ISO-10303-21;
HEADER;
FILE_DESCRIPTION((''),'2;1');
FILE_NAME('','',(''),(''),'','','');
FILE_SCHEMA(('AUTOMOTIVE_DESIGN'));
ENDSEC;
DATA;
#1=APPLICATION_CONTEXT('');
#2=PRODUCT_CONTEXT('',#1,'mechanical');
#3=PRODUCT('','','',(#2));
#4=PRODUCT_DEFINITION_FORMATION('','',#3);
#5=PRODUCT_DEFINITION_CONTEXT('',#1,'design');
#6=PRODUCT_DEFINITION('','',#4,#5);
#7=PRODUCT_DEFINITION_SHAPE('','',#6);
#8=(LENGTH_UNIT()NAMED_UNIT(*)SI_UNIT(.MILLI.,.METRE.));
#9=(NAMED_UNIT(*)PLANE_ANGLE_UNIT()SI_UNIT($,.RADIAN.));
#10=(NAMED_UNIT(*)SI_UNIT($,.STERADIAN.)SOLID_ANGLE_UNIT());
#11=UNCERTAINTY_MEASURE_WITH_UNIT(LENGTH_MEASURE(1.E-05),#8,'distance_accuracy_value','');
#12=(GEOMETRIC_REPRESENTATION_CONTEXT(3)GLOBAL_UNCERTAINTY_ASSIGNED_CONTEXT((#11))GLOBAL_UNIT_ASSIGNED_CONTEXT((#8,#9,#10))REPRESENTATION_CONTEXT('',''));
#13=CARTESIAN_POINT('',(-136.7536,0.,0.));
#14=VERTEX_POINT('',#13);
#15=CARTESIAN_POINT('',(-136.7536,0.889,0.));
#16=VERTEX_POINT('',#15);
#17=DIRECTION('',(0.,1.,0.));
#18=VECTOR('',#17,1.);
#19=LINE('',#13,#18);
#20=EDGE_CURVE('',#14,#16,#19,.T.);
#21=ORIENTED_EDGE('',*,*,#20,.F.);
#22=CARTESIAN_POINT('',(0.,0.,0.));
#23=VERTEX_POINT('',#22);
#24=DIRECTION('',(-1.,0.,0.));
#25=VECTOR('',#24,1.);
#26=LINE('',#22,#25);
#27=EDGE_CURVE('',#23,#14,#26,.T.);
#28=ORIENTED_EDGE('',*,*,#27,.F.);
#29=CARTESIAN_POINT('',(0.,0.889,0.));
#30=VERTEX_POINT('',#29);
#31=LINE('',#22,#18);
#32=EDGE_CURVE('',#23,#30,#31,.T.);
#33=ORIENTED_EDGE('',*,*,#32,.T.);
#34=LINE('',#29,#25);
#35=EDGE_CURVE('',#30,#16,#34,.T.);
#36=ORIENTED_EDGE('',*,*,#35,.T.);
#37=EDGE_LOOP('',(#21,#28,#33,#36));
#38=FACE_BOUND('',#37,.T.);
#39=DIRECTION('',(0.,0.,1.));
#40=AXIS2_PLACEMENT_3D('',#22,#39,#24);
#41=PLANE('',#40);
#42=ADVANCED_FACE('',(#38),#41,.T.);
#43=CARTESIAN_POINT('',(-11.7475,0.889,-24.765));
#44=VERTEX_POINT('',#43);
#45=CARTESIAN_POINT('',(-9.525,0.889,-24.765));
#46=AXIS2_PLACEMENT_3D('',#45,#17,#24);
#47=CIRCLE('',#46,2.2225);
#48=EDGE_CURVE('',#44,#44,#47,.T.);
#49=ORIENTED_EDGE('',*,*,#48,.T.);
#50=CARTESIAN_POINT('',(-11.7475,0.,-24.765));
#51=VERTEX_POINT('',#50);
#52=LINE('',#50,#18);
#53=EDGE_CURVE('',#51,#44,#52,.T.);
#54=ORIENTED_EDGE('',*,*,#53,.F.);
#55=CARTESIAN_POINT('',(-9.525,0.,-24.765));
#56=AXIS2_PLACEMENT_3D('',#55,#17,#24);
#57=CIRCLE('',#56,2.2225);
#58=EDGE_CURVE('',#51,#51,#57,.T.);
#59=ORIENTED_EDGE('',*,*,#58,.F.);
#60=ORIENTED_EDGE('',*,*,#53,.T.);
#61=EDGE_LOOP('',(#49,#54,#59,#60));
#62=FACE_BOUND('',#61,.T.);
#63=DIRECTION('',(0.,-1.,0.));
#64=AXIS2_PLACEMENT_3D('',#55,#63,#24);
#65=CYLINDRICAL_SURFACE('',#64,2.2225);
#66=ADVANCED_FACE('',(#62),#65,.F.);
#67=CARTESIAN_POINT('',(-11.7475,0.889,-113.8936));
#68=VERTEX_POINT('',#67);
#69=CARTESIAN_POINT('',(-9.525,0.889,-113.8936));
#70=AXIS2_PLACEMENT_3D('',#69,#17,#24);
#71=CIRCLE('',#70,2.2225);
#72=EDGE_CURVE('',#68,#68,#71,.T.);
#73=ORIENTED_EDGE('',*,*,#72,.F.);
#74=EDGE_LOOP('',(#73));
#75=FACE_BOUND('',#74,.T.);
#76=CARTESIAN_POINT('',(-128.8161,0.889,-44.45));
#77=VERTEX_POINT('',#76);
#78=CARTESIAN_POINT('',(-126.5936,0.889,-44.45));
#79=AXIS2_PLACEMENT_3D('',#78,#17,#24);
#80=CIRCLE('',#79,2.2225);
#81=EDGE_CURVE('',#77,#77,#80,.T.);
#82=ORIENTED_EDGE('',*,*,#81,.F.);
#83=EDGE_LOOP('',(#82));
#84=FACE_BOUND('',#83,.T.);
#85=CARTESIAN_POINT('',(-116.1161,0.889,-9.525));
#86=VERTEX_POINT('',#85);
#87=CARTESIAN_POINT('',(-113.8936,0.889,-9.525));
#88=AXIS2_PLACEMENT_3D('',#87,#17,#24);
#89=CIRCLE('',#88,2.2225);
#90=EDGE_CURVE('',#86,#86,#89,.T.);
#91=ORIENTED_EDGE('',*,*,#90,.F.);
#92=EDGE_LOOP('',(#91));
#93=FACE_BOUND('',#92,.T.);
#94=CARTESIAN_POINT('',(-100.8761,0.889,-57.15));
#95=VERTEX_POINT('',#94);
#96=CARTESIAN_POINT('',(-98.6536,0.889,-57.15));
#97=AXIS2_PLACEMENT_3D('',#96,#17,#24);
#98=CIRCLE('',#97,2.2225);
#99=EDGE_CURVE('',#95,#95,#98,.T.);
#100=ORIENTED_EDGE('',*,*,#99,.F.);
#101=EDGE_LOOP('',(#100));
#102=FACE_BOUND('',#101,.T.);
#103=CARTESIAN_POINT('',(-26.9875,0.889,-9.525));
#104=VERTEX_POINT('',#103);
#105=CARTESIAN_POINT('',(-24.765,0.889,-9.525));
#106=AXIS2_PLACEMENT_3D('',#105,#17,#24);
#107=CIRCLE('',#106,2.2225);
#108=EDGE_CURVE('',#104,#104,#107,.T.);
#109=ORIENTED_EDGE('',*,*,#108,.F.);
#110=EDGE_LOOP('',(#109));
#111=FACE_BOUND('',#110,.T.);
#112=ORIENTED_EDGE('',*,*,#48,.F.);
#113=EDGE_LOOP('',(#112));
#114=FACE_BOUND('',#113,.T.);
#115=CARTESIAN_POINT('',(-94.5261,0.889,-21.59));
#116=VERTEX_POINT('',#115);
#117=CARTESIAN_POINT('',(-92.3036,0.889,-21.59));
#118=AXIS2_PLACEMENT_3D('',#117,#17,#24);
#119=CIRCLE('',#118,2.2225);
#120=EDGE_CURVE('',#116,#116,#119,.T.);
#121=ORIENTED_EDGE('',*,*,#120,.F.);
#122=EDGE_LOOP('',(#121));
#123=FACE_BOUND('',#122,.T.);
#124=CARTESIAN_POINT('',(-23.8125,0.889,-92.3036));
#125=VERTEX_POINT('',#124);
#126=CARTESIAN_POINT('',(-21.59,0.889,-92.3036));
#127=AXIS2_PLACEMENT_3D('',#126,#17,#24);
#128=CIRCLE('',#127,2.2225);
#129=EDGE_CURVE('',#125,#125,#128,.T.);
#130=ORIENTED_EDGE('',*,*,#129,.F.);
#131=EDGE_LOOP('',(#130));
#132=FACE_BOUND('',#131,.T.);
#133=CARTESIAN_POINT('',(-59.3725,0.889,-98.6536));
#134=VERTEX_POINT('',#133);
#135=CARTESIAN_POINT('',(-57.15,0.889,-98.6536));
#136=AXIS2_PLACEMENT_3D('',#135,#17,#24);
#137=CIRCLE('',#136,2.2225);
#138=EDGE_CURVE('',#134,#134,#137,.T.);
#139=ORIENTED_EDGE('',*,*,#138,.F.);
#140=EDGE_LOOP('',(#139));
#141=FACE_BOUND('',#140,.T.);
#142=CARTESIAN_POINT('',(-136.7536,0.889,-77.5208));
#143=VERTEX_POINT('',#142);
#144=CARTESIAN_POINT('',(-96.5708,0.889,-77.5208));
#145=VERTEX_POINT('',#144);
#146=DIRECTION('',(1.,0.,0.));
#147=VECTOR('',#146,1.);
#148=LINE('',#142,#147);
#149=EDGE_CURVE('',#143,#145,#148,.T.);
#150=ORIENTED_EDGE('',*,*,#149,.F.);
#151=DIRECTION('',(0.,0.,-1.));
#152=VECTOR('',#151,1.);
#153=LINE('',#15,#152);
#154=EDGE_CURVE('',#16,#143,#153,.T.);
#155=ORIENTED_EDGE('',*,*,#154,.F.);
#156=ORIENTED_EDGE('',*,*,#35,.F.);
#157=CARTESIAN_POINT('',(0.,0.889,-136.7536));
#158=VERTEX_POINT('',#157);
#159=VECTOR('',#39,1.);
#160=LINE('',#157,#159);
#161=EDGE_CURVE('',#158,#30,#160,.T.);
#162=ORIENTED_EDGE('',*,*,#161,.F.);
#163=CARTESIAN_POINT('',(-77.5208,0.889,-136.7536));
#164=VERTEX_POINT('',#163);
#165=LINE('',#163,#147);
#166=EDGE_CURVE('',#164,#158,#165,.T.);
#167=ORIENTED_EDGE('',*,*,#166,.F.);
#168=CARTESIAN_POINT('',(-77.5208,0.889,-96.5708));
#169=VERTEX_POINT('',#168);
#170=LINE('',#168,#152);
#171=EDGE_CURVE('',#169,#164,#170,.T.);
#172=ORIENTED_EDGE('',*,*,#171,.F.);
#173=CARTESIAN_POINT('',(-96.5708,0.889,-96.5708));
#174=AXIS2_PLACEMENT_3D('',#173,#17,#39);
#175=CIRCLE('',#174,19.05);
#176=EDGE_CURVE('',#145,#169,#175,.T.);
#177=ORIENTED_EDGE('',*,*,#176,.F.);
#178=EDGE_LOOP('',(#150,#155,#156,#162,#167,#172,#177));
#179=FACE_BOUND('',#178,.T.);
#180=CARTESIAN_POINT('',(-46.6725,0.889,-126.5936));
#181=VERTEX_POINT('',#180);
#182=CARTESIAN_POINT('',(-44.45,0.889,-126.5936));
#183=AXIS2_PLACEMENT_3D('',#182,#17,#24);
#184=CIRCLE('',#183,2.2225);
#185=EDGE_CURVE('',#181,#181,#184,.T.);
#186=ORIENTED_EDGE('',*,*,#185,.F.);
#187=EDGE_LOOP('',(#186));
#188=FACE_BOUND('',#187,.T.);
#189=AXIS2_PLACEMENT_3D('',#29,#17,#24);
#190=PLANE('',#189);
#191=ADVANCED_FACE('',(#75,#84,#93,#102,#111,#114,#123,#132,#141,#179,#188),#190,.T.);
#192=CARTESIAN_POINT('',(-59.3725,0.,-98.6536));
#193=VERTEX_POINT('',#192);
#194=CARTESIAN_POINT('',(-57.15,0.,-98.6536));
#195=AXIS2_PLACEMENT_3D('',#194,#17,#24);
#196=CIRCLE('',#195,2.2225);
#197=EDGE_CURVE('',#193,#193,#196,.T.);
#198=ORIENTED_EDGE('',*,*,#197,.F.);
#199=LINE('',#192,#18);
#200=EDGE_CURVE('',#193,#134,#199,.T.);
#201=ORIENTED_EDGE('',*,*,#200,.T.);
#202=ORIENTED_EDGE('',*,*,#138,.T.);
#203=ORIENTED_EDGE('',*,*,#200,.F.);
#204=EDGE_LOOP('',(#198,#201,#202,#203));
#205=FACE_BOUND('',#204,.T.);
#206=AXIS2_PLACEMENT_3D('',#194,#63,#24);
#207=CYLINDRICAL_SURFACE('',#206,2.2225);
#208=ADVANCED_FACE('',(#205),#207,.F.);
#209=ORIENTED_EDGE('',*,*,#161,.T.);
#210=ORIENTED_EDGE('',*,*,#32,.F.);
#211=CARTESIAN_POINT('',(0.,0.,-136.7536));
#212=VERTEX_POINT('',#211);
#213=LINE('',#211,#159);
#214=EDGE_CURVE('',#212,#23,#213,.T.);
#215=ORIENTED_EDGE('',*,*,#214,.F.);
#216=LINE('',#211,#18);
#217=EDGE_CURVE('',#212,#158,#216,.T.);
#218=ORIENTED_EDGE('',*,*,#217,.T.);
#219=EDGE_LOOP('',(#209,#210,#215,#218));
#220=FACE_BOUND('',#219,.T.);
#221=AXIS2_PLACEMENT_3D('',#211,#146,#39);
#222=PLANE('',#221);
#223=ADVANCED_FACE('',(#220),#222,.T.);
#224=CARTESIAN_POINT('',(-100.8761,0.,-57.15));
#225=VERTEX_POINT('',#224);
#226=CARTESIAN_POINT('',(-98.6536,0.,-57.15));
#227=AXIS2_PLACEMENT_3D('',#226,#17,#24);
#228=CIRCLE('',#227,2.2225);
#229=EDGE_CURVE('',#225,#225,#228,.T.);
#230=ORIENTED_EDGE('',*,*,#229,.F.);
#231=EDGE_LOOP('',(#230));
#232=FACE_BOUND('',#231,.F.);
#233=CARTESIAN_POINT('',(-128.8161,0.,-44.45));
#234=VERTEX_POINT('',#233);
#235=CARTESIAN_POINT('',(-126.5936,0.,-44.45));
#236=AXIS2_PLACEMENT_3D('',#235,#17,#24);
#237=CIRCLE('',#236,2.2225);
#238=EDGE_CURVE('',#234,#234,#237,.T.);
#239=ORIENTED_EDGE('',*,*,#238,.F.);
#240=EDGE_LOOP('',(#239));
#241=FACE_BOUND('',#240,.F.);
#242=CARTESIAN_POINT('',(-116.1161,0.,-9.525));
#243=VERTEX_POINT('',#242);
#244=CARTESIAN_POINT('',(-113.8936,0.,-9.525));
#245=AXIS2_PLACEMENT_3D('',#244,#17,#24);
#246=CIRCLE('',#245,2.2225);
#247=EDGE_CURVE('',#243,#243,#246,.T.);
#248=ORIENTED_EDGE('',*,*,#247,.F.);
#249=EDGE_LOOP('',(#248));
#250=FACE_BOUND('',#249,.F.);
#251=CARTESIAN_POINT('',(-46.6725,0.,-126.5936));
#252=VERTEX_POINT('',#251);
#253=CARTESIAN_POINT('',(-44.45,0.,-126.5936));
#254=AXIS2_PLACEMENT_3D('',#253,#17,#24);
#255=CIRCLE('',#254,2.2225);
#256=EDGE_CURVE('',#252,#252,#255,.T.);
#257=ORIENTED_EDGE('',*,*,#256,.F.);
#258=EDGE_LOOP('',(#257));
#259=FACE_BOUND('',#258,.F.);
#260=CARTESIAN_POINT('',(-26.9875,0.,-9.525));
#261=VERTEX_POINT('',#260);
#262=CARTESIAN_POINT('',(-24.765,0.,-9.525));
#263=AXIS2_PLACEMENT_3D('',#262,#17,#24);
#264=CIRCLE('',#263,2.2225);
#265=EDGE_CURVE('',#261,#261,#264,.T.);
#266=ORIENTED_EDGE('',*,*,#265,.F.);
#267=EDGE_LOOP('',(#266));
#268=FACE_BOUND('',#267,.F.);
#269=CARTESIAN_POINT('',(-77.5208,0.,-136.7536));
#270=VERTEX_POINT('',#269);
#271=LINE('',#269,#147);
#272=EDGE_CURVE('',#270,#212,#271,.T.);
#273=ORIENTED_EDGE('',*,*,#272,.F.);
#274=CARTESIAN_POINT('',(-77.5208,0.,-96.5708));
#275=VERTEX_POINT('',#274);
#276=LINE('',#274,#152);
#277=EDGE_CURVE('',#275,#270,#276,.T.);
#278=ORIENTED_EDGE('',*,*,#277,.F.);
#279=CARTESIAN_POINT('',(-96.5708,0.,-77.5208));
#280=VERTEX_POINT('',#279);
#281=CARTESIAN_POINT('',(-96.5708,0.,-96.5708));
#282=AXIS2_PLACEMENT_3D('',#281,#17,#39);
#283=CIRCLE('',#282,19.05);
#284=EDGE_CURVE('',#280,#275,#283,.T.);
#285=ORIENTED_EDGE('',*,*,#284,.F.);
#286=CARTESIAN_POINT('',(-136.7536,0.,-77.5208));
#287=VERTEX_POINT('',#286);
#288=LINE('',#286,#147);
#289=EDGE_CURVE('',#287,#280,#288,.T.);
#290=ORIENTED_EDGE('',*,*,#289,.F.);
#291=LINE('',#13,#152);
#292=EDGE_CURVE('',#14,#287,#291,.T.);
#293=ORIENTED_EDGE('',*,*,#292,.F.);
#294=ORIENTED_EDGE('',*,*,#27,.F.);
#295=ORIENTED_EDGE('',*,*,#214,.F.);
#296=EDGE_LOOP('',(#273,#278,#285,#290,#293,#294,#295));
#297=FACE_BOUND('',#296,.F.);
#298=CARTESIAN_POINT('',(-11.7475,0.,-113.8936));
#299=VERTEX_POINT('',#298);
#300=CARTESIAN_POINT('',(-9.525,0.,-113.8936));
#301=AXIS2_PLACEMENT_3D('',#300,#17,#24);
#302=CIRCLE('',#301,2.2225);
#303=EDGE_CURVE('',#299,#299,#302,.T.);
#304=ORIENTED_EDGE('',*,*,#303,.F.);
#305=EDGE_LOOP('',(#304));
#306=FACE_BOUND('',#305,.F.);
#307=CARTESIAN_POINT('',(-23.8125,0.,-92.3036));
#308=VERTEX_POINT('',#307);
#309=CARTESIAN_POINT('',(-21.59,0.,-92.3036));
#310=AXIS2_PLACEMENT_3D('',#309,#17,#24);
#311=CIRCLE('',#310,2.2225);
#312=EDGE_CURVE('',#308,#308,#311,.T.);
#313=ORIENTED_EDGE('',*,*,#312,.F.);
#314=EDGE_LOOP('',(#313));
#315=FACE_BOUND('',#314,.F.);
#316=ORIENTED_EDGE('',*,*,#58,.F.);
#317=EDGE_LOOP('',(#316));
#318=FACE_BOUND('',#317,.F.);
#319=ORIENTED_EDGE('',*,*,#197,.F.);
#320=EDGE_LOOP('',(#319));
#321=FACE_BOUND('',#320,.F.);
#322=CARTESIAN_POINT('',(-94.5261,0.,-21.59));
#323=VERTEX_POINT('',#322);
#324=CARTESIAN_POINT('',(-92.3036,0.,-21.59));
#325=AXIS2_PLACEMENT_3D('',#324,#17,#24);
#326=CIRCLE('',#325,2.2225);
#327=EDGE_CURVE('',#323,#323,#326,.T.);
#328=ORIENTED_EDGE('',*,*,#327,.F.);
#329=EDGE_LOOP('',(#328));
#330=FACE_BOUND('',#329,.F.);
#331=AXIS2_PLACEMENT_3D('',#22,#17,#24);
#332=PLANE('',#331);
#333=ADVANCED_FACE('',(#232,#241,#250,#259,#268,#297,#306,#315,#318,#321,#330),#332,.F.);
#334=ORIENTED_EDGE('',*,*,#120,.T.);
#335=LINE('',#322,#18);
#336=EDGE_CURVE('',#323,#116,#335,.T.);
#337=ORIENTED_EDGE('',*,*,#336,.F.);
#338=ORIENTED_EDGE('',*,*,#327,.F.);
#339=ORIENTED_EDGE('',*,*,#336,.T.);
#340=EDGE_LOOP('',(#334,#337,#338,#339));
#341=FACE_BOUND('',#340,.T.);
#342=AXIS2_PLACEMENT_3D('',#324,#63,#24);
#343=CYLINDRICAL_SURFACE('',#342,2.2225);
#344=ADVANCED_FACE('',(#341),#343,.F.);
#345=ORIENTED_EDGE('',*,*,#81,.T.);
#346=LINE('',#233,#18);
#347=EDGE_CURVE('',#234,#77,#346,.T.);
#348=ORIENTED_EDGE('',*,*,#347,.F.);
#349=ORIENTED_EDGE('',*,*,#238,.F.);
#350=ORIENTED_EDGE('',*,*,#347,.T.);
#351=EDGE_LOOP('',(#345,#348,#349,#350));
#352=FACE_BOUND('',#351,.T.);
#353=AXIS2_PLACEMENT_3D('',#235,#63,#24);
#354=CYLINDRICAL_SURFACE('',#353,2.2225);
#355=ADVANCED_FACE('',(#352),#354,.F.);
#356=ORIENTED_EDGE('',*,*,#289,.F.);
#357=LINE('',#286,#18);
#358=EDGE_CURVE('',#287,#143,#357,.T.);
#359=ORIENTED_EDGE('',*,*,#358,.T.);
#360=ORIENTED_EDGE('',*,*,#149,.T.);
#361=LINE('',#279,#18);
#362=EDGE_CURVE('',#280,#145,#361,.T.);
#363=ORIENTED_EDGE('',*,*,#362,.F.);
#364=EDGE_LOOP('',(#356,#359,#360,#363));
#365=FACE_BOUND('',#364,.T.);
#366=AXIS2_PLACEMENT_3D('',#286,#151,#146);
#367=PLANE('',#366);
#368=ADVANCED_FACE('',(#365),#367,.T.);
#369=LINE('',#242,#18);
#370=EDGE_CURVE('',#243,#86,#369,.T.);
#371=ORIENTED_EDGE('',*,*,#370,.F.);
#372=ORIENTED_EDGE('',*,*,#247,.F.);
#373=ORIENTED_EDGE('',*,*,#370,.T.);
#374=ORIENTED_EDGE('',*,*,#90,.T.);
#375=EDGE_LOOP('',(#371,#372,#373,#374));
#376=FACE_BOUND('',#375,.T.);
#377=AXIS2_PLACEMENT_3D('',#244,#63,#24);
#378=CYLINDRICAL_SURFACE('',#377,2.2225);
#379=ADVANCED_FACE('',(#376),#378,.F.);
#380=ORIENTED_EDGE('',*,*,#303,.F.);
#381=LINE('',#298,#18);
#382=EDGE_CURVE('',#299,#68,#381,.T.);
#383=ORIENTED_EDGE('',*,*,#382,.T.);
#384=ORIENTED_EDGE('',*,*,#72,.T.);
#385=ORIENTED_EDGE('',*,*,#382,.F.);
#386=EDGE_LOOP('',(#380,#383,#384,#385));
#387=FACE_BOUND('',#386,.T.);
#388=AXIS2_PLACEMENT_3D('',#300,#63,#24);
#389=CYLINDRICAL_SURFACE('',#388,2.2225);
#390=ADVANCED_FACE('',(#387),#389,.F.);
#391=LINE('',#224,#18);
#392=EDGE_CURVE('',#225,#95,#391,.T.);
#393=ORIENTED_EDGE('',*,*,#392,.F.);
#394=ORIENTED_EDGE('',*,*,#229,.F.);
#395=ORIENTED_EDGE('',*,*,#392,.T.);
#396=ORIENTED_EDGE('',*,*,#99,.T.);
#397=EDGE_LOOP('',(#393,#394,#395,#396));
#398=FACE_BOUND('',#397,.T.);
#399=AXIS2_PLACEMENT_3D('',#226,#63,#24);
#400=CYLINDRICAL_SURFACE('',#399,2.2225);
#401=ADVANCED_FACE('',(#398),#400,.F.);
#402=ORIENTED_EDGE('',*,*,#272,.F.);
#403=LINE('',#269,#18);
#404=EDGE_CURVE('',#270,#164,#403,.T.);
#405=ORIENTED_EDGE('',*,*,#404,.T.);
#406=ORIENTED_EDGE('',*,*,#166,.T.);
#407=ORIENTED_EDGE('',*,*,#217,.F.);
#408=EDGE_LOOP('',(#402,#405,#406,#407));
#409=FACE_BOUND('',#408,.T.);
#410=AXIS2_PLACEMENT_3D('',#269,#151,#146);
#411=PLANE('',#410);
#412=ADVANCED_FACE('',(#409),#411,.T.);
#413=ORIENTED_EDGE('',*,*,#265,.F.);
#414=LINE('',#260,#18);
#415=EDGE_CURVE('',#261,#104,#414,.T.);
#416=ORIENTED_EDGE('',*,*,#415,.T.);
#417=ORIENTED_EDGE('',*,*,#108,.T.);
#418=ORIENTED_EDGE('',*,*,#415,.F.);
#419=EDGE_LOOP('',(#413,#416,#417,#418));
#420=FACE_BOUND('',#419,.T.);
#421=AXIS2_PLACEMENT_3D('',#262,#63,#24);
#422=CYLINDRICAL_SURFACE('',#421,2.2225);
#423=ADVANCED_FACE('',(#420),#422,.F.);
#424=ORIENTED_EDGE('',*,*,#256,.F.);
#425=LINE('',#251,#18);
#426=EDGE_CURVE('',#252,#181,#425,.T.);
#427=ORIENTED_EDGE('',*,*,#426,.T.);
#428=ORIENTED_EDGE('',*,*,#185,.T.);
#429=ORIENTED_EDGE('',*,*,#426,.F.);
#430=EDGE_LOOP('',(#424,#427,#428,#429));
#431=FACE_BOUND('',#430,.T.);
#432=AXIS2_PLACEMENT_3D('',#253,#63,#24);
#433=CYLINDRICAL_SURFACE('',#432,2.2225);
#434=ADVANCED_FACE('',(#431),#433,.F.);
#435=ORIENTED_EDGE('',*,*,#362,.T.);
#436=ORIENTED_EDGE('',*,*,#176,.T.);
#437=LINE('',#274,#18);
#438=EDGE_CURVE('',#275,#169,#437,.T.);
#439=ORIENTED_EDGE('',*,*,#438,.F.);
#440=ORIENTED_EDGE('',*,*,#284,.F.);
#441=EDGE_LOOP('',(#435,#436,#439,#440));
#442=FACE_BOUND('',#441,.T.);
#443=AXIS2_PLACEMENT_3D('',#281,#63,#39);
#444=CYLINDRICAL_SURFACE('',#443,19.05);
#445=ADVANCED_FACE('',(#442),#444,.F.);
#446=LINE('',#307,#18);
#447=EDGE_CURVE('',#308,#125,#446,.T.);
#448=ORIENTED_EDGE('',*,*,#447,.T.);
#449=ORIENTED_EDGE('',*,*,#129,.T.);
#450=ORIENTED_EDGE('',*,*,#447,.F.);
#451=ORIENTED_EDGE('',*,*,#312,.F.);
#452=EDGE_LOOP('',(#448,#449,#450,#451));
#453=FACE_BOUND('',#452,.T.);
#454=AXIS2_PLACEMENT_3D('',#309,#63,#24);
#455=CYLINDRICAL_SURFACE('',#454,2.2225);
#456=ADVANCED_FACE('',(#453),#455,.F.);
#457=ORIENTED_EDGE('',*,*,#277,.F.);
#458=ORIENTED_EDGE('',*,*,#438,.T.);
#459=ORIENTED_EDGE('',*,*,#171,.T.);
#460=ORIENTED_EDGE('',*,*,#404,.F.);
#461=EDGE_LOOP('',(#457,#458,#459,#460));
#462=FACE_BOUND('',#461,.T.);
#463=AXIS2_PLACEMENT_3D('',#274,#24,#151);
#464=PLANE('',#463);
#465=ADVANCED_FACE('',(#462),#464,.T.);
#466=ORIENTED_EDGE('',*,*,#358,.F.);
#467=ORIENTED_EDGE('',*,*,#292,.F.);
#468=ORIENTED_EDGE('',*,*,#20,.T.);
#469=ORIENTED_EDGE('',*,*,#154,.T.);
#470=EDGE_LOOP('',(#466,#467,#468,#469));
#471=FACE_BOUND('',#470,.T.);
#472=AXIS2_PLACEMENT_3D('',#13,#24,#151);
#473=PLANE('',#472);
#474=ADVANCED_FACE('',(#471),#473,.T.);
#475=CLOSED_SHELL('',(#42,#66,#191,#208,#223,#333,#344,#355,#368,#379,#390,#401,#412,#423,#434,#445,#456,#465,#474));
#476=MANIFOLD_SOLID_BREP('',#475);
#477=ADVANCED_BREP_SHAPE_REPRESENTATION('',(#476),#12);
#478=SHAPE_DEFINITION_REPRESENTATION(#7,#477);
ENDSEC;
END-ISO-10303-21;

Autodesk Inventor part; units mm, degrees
ref_plane "YZ Plane" through (0, 0, 0) normal (1, 0, 0) x (0, 1, 0)
ref_plane "XZ Plane" through (0, 0, 0) normal (0, 1, 0) x (-1, 0, 0)
ref_plane "XY Plane" through (0, 0, 0) normal (0, 0, 1) x (1, 0, 0)
sketch "Sketch1" plane through (0, 0, 0) normal (0, 1, 0) x (-1, 0, 0)
  line L0 (0, 0) -> (136.7536, 0)
  line L1 (136.7536, 0) -> (136.7536, -77.5208)
  line L2 (136.7536, -77.5208) -> (96.5708, -77.5208)
  line L3 (77.5208, -96.5708) -> (77.5208, -136.7536)
  line L4 (77.5208, -136.7536) -> (0, -136.7536)
  line L5 (0, -136.7536) -> (0, 0)
  arc A0 (96.5708, -77.5208) -> (77.5208, -96.5708) centre (96.5708, -96.5708) ccw
  circle A1 centre (9.525, -24.765) radius 2.2225
  circle A2 centre (24.765, -9.525) radius 2.2225
  circle A3 centre (9.525, -113.8936) radius 2.2225
  circle A4 centre (113.8936, -9.525) radius 2.2225
  circle A5 centre (126.5936, -44.45) radius 2.2225
  circle A6 centre (98.6536, -57.15) radius 2.2225
  circle A7 centre (92.3036, -21.59) radius 2.2225
  circle A8 centre (44.45, -126.5936) radius 2.2225
  circle A9 centre (57.15, -98.6536) radius 2.2225
  circle A10 centre (21.59, -92.3036) radius 2.2225
  line L6 (0, 0) -> (96.5708, -96.5708) construction
  dimension "d0" = 136.7536
  dimension "d1" = 77.5208
  dimension "d2" = 19.05
  dimension "d3" = 9.525
  dimension "d6" = 9.525
  dimension "d7" = 22.86
  dimension "d8" = 10.16
  dimension "d9" = 44.45
  dimension "d10" = 4.445
  dimension "d11" = 24.765
  dimension "d12" = 38.1
  dimension "d13" = 57.15
  dimension "d14" = 21.59
  dimension "d15" = 44.45
extrude "Extrusion1" add sketch "Sketch1" along normal blind 0.889
ref_plane "Work Plane1" through (0, 0, 0) normal (0.7071, 0, -0.7071) x (-0.7071, 0, -0.7071)
properties part number "NickBracket"
